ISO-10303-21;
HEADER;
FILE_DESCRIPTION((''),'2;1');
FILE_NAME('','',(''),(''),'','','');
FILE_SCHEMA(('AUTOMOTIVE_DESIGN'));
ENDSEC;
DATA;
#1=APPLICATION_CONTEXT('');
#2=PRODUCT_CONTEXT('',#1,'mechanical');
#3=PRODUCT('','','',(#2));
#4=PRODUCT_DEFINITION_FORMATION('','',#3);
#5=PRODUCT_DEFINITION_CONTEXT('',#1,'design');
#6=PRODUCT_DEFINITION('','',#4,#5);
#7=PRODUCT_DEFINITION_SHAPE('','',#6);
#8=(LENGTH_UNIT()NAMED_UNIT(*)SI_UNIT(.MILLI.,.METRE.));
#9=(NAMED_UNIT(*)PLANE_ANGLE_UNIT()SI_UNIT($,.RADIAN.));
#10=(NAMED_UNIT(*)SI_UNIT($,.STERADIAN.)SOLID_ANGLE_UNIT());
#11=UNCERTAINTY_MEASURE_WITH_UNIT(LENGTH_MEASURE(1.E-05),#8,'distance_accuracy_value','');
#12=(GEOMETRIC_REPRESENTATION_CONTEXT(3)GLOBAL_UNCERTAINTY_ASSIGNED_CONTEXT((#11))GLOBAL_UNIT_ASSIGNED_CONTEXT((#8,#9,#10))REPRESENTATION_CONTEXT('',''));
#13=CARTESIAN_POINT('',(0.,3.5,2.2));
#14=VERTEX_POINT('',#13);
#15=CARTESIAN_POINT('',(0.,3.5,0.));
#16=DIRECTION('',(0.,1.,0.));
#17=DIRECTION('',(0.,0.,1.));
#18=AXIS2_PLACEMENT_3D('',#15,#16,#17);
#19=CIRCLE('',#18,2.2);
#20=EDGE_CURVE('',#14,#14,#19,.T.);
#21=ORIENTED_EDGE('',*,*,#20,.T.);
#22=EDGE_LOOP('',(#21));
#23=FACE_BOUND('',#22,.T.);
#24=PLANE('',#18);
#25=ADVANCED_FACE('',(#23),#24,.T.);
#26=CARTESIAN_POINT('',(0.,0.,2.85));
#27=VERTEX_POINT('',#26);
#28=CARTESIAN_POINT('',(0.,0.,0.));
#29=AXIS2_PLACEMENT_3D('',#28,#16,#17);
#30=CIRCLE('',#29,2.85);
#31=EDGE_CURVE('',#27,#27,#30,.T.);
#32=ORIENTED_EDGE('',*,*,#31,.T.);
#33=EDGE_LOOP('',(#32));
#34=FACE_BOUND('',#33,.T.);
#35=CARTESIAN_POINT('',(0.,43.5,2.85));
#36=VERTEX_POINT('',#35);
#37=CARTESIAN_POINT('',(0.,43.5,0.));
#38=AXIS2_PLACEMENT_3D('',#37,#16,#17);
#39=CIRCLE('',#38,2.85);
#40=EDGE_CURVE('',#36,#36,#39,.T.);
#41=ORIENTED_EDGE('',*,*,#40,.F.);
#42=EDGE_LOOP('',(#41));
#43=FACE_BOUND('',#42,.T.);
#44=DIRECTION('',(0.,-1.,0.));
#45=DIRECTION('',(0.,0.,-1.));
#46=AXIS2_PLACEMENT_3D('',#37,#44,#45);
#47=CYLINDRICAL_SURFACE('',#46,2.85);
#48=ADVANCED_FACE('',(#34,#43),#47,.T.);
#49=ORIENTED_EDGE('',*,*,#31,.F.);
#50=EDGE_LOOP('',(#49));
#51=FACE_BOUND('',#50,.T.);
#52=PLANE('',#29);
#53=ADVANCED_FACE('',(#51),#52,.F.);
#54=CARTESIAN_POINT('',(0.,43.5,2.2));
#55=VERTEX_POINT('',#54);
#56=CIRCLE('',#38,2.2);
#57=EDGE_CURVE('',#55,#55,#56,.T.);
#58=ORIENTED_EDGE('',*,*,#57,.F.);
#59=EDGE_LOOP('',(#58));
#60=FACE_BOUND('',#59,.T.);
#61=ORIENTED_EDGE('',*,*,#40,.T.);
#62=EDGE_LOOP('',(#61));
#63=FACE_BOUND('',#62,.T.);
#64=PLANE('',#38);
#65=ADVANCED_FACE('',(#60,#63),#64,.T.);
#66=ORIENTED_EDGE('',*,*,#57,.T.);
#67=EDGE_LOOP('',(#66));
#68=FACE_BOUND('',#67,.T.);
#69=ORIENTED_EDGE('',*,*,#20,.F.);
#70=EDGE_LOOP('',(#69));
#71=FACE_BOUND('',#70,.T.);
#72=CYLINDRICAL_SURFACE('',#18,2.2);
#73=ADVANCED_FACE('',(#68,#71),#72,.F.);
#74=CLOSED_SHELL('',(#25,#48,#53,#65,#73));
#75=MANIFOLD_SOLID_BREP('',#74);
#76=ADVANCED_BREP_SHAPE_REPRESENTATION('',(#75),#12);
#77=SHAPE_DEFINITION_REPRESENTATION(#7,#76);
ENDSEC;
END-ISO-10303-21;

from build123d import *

# Parameters (mm, degrees)
SKETCH1_R           = 2.85
BOSS_EXTRUDE1_DEPTH = 43.5
SKETCH2_R           = 2.2
CUT_EXTRUDE1_DEPTH  = 40


with BuildPart() as part:
    # Sketch1 → Boss-Extrude1 (new body)
    with BuildSketch(Plane(origin=(0, 0, 0), x_dir=(1, 0, 0), z_dir=(0, 1, 0))):
        Circle(SKETCH1_R)
    extrude(amount=BOSS_EXTRUDE1_DEPTH)

    # Sketch2 → Cut-Extrude1 (cut)
    with BuildSketch(Plane(origin=(0, 43.5, 0), x_dir=(1, 0, 0), z_dir=(0, 1, 0))):
        Circle(SKETCH2_R)
    extrude(amount=-CUT_EXTRUDE1_DEPTH, mode=Mode.SUBTRACT)


solid = part.part
